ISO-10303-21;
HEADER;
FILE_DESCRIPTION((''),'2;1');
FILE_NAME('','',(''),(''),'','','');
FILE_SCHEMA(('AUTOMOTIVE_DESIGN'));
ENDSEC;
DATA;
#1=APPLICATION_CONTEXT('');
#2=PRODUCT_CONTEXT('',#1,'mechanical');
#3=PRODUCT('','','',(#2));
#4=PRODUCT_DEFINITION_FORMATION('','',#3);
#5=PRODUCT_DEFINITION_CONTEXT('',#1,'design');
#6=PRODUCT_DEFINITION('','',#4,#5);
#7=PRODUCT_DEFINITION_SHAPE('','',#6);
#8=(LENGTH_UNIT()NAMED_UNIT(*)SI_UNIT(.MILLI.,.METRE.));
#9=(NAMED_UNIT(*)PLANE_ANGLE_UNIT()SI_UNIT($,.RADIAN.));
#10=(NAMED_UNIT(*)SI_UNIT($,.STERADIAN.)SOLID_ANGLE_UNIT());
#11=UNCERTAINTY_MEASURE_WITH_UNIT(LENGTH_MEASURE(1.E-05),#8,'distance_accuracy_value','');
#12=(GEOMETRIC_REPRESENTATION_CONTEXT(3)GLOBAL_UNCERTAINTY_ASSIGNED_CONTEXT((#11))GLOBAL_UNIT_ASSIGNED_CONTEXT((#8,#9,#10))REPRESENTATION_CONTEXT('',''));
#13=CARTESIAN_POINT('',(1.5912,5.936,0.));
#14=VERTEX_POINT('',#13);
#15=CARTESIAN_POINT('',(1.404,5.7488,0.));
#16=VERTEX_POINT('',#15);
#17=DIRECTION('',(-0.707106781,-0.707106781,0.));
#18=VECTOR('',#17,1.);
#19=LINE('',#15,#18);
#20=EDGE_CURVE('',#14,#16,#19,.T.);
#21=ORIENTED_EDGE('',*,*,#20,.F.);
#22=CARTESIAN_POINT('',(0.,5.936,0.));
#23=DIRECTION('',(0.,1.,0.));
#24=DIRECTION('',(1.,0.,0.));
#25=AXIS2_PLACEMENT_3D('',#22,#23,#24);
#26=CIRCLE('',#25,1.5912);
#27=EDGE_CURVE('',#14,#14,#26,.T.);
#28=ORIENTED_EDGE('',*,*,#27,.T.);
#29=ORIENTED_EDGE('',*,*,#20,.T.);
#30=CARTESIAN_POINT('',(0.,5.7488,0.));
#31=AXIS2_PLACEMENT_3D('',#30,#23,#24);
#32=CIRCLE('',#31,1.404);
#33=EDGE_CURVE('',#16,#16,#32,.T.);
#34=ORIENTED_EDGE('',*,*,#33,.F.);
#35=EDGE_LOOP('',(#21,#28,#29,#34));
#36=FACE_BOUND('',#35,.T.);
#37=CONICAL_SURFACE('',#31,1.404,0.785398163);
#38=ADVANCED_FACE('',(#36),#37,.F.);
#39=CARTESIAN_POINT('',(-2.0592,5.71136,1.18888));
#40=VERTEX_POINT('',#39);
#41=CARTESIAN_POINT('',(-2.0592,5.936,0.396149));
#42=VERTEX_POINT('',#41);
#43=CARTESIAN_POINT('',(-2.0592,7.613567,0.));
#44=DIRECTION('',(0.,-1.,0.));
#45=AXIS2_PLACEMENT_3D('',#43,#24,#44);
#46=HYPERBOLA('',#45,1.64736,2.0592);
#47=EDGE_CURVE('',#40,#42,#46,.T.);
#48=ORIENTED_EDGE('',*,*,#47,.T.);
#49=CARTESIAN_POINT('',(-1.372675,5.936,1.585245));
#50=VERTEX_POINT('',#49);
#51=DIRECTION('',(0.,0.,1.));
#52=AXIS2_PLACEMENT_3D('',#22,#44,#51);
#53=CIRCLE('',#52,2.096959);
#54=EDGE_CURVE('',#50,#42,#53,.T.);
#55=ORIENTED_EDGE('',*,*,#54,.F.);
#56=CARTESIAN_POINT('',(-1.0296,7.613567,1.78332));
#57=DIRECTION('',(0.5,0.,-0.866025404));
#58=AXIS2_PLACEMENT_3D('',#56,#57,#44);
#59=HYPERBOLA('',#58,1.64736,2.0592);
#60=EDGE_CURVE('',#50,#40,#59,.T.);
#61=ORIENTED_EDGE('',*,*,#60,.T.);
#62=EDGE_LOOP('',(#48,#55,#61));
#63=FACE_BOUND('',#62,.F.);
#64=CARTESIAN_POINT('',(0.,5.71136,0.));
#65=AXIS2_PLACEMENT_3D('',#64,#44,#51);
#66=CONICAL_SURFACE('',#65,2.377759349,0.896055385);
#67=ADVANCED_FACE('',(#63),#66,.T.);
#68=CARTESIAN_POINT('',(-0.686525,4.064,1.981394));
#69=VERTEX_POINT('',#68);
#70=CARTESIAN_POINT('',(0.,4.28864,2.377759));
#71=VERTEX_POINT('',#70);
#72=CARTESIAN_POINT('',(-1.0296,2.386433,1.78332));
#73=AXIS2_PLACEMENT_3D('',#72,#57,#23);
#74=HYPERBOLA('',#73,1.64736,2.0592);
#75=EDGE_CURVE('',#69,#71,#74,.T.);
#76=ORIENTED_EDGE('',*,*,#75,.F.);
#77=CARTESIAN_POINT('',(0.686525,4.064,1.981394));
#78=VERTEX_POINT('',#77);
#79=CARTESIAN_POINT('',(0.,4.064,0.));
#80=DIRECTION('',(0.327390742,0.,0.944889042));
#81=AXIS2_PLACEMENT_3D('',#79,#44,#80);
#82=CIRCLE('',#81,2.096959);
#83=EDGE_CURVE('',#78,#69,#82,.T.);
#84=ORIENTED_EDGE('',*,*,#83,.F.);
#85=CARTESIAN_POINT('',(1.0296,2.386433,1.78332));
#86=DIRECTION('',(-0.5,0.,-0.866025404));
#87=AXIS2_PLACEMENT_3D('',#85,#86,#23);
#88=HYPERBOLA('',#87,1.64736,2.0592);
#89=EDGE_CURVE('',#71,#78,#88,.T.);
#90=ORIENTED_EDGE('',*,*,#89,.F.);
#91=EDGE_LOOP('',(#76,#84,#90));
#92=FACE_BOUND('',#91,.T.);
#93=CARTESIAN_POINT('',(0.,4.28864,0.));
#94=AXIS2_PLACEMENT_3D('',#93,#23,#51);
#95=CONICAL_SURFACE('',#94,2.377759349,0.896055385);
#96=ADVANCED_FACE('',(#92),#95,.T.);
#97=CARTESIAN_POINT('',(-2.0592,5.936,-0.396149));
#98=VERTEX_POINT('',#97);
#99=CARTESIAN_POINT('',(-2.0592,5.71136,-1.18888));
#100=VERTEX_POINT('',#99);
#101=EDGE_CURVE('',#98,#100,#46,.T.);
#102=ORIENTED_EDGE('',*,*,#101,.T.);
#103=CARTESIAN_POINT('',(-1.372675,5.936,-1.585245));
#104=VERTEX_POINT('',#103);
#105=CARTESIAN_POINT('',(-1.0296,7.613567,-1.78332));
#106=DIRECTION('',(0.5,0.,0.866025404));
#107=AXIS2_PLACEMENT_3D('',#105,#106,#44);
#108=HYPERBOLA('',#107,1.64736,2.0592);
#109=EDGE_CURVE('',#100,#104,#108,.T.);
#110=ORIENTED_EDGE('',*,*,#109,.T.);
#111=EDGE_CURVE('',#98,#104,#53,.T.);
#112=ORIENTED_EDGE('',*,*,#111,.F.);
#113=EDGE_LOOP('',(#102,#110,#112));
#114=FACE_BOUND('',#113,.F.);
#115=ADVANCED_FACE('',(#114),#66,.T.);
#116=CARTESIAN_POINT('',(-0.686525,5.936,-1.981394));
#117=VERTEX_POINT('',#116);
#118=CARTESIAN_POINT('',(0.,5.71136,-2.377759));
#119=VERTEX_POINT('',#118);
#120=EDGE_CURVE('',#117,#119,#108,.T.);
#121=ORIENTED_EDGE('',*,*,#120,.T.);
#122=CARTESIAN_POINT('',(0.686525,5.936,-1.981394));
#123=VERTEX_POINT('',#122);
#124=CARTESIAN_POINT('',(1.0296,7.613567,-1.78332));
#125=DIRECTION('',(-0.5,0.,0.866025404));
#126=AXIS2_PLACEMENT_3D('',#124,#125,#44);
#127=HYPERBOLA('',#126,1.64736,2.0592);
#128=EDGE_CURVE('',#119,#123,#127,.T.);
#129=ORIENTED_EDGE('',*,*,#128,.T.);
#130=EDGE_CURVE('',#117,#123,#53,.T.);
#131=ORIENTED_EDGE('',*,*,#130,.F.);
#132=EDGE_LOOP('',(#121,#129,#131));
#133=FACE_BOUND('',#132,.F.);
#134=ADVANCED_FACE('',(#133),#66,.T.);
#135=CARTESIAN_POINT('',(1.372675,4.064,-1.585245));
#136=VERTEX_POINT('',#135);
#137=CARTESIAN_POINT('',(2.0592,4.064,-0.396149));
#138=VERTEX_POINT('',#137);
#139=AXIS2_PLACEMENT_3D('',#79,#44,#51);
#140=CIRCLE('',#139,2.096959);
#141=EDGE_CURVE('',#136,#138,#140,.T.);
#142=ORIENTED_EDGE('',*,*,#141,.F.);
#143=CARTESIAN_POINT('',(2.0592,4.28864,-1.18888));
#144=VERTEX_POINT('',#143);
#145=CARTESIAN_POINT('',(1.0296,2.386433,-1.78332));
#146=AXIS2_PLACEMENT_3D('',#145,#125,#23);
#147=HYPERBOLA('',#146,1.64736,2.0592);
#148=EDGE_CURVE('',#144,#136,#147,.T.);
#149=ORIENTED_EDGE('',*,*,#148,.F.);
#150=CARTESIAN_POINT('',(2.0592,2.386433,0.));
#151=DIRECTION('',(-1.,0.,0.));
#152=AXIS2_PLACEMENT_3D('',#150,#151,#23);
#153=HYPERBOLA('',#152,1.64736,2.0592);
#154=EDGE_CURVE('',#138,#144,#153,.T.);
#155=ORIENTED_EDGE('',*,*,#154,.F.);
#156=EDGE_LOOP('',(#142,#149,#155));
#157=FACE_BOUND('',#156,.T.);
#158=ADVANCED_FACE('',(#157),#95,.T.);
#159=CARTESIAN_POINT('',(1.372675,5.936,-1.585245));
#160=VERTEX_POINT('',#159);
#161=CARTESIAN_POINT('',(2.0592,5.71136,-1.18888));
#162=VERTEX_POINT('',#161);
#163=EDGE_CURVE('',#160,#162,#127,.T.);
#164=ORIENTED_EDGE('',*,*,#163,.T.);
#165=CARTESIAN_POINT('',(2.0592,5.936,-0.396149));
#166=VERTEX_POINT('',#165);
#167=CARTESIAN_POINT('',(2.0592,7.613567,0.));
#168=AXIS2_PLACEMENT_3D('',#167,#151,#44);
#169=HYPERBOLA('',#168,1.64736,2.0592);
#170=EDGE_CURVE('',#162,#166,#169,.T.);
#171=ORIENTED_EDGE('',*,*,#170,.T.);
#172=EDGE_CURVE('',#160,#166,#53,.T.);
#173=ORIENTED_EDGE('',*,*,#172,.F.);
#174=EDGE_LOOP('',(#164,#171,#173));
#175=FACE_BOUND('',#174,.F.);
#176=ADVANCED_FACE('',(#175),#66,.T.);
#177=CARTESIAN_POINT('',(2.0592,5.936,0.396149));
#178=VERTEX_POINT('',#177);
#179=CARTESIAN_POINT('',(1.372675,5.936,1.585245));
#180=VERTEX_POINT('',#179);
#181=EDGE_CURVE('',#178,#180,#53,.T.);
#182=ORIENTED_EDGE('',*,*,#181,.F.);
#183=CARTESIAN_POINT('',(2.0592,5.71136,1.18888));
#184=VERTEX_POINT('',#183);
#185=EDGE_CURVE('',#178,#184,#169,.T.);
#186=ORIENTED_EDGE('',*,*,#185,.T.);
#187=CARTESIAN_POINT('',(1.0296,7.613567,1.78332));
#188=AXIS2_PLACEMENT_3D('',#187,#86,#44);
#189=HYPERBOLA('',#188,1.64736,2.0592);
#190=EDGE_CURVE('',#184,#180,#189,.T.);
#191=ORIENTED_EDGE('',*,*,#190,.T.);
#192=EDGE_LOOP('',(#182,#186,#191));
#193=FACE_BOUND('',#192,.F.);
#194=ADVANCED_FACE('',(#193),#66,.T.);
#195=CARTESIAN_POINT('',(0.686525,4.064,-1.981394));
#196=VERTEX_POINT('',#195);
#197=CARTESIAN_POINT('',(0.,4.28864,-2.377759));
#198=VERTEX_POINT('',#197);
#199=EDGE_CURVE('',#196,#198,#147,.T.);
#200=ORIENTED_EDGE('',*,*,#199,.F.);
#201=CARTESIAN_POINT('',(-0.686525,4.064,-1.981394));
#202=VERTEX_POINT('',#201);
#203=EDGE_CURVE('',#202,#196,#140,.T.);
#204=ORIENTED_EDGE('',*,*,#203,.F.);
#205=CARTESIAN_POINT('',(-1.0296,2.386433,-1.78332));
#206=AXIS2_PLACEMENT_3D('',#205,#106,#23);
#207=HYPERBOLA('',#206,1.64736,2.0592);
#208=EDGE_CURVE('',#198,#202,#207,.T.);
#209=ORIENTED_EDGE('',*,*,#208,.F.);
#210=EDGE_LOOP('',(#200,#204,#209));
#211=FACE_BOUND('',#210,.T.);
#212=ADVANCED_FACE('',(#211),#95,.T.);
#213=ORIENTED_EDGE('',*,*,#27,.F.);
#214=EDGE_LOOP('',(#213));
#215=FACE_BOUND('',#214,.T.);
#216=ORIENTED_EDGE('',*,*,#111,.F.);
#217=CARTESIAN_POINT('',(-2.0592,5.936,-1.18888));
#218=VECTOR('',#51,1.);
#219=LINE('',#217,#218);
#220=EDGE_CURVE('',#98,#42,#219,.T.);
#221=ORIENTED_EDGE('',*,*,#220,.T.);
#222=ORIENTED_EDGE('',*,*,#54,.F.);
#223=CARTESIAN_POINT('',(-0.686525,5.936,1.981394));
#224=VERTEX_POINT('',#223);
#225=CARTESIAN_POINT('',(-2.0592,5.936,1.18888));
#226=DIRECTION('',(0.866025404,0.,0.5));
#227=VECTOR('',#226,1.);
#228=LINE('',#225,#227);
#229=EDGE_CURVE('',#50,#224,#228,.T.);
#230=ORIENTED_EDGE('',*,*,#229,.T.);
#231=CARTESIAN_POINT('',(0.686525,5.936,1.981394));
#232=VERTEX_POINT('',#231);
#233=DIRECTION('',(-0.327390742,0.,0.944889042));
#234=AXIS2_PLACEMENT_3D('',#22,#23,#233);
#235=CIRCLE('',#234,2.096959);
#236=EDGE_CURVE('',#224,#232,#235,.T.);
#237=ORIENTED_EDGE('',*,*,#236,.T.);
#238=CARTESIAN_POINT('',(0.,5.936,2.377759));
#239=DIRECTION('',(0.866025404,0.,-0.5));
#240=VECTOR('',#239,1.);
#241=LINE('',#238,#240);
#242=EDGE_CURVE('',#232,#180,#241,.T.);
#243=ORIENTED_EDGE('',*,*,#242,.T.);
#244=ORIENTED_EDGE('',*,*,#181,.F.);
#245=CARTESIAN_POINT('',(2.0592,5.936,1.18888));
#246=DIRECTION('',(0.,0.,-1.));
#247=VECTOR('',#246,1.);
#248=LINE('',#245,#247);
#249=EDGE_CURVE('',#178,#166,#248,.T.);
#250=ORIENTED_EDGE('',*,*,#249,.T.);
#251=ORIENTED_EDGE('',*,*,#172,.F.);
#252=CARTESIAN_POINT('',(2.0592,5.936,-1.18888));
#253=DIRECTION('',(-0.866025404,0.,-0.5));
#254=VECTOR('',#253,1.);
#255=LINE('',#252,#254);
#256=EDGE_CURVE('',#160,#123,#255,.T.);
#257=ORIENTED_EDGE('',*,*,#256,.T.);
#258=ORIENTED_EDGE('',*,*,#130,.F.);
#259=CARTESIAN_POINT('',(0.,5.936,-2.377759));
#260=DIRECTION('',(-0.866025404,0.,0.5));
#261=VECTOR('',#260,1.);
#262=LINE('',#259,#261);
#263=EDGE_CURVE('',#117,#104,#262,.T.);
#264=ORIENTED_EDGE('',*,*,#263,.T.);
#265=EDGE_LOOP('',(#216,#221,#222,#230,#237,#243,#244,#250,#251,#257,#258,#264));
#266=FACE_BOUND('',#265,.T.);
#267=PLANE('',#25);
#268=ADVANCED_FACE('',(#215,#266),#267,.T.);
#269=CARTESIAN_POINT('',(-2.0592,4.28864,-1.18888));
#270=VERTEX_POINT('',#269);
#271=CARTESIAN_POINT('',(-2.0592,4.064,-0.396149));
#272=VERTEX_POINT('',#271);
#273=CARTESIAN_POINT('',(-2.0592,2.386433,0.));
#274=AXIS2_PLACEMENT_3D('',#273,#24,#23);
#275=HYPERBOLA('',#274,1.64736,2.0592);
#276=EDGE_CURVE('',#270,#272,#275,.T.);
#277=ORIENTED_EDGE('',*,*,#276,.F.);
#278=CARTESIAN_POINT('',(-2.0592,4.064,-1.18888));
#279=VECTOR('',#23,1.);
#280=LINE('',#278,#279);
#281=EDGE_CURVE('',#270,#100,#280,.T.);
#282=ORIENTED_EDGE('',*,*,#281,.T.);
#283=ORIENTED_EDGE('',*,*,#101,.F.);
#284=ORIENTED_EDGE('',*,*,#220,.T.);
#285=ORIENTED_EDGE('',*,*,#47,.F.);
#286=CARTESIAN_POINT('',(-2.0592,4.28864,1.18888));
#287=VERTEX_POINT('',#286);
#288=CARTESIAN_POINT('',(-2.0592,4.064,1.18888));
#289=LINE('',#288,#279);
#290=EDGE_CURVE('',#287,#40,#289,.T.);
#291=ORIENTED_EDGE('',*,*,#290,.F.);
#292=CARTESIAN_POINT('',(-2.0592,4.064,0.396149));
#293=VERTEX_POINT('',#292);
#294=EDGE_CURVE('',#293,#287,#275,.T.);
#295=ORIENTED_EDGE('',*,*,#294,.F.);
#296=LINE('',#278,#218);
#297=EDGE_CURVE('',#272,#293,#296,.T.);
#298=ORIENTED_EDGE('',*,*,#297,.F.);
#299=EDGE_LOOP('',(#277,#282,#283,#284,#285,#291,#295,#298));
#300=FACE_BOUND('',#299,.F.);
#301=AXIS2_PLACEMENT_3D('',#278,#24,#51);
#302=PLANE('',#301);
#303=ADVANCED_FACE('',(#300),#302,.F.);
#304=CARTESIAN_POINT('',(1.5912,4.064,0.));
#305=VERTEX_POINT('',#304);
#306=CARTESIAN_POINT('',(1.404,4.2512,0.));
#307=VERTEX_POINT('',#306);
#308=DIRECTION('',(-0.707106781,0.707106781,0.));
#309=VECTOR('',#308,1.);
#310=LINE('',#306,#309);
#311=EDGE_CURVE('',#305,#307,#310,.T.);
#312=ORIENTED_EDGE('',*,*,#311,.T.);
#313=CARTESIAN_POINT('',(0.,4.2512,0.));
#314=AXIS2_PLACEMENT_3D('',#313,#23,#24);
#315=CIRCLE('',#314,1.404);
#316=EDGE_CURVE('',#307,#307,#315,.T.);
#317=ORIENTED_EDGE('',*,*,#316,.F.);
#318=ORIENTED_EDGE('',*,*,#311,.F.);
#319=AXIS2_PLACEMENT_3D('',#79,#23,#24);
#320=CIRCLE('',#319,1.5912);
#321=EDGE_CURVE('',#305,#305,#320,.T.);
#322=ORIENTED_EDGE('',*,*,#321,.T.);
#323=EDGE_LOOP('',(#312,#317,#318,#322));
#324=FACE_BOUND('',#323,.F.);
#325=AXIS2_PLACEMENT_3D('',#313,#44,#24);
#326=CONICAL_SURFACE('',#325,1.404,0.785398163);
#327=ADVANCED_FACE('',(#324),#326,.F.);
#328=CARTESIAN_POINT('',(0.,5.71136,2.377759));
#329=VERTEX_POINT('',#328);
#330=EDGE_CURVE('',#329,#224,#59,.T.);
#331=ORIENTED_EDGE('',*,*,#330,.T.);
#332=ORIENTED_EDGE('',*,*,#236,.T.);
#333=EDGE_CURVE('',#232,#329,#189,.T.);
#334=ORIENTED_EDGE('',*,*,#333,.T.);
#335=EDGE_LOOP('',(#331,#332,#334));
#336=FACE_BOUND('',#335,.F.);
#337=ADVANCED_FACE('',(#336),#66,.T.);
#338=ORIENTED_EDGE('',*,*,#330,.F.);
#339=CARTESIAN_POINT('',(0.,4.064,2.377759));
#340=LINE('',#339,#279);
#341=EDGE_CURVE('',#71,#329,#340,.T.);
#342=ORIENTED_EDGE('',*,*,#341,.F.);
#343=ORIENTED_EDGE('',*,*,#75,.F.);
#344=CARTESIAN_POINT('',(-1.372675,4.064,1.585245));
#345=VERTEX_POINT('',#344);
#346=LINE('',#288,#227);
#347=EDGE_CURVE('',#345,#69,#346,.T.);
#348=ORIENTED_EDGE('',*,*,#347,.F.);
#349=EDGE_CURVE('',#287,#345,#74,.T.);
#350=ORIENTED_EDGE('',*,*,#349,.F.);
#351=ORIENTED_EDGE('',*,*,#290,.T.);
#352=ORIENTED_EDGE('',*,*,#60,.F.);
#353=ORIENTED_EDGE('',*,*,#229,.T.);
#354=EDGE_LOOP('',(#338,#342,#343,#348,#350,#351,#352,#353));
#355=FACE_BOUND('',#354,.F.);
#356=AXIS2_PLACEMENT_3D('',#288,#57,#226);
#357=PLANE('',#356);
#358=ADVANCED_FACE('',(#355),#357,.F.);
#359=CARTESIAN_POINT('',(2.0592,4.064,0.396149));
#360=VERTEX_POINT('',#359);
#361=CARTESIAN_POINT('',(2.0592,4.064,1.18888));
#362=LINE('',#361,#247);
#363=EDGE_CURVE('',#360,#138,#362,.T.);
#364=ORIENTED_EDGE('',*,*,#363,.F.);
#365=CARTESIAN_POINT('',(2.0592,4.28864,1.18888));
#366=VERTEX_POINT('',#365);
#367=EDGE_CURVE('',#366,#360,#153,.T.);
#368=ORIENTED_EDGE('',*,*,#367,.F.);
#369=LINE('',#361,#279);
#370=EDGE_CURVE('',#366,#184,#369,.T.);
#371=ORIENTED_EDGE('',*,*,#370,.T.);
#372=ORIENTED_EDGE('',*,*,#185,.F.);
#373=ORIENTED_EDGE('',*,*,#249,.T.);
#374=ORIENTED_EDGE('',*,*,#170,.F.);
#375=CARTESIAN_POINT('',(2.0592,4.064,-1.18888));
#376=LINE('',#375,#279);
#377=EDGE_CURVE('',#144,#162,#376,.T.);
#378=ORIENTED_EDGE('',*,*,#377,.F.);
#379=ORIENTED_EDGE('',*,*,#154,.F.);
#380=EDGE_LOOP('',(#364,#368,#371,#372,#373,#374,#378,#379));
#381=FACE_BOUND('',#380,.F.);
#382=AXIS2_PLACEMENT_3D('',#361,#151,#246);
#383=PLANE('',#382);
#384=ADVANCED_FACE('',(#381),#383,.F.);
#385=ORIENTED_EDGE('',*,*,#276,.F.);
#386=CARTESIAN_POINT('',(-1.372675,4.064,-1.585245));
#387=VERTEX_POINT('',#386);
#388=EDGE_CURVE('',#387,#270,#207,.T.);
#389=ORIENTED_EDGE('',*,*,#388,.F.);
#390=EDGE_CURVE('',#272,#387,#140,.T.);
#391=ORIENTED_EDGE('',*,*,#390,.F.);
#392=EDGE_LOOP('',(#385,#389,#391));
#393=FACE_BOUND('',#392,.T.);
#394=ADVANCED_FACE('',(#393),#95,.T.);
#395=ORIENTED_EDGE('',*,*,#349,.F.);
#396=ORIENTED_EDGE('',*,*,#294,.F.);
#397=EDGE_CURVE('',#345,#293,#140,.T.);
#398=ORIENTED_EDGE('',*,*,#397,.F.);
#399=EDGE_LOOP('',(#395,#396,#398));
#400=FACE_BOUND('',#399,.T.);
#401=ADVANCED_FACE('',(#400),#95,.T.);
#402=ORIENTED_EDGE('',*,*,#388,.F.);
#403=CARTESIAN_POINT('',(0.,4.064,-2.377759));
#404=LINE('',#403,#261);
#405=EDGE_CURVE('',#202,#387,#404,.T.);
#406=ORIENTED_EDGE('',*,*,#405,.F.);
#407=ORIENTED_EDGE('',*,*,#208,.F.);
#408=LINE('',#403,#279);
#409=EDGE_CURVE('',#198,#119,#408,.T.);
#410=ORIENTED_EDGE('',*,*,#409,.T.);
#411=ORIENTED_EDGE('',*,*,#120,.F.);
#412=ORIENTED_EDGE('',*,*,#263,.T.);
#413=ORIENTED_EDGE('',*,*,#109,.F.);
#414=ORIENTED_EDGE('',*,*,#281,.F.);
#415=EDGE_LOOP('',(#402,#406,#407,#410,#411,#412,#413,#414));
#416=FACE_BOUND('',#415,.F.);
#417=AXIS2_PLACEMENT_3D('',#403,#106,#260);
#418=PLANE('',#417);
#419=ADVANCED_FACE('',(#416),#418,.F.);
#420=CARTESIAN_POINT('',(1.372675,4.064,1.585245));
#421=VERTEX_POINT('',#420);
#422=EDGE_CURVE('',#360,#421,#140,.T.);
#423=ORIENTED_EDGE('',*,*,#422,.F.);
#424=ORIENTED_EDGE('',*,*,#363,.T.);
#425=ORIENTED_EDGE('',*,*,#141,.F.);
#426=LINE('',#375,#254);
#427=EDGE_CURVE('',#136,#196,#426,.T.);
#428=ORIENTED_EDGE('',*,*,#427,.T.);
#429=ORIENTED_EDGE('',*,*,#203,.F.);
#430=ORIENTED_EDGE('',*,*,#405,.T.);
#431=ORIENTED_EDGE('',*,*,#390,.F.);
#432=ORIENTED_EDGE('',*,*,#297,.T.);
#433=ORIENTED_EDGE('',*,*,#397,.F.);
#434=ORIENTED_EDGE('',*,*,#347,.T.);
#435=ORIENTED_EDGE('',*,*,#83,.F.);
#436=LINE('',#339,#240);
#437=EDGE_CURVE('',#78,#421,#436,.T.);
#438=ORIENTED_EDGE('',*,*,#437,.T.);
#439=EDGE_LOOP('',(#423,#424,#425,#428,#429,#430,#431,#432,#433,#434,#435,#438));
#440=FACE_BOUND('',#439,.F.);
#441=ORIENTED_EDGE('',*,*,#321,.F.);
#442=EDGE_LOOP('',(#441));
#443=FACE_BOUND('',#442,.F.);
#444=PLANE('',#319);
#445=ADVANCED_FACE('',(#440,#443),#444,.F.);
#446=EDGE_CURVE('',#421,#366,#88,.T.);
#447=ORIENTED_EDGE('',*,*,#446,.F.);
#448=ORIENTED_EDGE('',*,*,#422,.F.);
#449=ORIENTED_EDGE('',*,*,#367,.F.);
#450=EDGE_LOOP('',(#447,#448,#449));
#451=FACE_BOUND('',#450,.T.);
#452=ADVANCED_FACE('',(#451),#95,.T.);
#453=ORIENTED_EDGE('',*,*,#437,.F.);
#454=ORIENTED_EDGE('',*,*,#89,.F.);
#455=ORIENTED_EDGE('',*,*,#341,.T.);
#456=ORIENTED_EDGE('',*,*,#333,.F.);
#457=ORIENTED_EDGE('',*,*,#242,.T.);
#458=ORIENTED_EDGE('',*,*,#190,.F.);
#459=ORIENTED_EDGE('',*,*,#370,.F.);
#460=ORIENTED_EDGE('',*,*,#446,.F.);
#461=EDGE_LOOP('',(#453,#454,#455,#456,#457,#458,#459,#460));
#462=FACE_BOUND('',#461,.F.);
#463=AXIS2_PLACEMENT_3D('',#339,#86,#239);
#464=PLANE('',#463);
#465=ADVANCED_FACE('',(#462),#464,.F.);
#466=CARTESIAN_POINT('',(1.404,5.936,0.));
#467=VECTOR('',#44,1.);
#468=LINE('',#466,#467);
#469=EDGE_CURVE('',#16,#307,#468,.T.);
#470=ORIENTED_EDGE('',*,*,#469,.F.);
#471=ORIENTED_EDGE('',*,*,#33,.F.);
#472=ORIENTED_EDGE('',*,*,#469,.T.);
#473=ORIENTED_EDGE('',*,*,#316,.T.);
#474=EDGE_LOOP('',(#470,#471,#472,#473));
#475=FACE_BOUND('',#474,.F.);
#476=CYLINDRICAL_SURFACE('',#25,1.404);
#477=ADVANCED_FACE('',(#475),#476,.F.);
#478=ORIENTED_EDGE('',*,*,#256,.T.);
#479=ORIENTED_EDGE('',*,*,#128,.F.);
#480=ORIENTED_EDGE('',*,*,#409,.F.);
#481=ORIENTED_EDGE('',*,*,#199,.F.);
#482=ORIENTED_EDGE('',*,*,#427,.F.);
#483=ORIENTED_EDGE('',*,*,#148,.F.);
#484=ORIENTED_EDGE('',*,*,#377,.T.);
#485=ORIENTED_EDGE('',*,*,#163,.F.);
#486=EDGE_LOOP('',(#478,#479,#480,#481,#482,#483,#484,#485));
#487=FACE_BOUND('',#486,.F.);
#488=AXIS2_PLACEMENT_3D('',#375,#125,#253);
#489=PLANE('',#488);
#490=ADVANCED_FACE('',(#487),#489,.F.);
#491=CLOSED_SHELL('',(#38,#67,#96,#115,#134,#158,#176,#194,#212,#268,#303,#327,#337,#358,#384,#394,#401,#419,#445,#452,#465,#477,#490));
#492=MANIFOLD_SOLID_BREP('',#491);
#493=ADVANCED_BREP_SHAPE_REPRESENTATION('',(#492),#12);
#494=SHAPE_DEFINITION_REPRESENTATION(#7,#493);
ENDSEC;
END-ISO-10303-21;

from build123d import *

# Parameters (mm, degrees)
BOSS_EXTRUDE1_DEPTH = 10
SKETCH2_R           = 7.5
CUT_EXTRUDE1_DEPTH  = 11
CHAMFER1_SIZE       = 1
SCALE2_SCALE        = 0.18
SCALE3_SCALE        = 1.04


with BuildPart() as part:
    # Sketch1 → Boss-Extrude1 (new body)
    with BuildSketch(Plane(origin=(0, 0, 0), x_dir=(1, 0, 0), z_dir=(0, 1, 0))):
        Polygon((0, 12.701705922), (-11, 6.350852961), (-11, -6.350852961), (0, -12.701705922), (11, -6.350852961), (11, 6.350852961), align=None)
    extrude(amount=BOSS_EXTRUDE1_DEPTH)

    # Sketch2 → Cut-Extrude1 (cut, through all)
    with BuildSketch(Plane(origin=(0, 10, 0), x_dir=(1, 0, 0), z_dir=(0, 1, 0))):
        Circle(SKETCH2_R)
    extrude(amount=-CUT_EXTRUDE1_DEPTH, mode=Mode.SUBTRACT)

    # Chamfer1
    chamfer1_edges = [part.edges().sort_by_distance(p)[0] for p in [
        (-7.5, 0, 0),
        (-7.5, 10, 0),
    ]]
    chamfer(chamfer1_edges, length=CHAMFER1_SIZE)

    # Sketch3 → Cut-Revolve1 (revolve, cut)
    with BuildSketch(Plane(origin=(0, 0, 0), x_dir=(0, 0, -1), z_dir=(1, 0, 0))):
        Polygon((-12.701705922, 10), (-12.701705922, 8.8), (-11.201705922, 10), align=None)
        Polygon((-12.701705922, 0), (-12.701705922, 1.2), (-11.201705922, 0), align=None)
    revolve(axis=Axis((0, 10, 0), (0, -1, 0)), mode=Mode.SUBTRACT)


with BuildPart() as part_1:
    # Scale2: scaled about (0, 5, 0)
    add(part.part.scale(SCALE2_SCALE).moved(Location((0, 4.1, 0))))


with BuildPart() as part_2:
    # Scale3: scaled about (0, 5, 0)
    add(part_1.part.scale(SCALE3_SCALE).moved(Location((0, -0.2, 0))))


solid = part_2.part
